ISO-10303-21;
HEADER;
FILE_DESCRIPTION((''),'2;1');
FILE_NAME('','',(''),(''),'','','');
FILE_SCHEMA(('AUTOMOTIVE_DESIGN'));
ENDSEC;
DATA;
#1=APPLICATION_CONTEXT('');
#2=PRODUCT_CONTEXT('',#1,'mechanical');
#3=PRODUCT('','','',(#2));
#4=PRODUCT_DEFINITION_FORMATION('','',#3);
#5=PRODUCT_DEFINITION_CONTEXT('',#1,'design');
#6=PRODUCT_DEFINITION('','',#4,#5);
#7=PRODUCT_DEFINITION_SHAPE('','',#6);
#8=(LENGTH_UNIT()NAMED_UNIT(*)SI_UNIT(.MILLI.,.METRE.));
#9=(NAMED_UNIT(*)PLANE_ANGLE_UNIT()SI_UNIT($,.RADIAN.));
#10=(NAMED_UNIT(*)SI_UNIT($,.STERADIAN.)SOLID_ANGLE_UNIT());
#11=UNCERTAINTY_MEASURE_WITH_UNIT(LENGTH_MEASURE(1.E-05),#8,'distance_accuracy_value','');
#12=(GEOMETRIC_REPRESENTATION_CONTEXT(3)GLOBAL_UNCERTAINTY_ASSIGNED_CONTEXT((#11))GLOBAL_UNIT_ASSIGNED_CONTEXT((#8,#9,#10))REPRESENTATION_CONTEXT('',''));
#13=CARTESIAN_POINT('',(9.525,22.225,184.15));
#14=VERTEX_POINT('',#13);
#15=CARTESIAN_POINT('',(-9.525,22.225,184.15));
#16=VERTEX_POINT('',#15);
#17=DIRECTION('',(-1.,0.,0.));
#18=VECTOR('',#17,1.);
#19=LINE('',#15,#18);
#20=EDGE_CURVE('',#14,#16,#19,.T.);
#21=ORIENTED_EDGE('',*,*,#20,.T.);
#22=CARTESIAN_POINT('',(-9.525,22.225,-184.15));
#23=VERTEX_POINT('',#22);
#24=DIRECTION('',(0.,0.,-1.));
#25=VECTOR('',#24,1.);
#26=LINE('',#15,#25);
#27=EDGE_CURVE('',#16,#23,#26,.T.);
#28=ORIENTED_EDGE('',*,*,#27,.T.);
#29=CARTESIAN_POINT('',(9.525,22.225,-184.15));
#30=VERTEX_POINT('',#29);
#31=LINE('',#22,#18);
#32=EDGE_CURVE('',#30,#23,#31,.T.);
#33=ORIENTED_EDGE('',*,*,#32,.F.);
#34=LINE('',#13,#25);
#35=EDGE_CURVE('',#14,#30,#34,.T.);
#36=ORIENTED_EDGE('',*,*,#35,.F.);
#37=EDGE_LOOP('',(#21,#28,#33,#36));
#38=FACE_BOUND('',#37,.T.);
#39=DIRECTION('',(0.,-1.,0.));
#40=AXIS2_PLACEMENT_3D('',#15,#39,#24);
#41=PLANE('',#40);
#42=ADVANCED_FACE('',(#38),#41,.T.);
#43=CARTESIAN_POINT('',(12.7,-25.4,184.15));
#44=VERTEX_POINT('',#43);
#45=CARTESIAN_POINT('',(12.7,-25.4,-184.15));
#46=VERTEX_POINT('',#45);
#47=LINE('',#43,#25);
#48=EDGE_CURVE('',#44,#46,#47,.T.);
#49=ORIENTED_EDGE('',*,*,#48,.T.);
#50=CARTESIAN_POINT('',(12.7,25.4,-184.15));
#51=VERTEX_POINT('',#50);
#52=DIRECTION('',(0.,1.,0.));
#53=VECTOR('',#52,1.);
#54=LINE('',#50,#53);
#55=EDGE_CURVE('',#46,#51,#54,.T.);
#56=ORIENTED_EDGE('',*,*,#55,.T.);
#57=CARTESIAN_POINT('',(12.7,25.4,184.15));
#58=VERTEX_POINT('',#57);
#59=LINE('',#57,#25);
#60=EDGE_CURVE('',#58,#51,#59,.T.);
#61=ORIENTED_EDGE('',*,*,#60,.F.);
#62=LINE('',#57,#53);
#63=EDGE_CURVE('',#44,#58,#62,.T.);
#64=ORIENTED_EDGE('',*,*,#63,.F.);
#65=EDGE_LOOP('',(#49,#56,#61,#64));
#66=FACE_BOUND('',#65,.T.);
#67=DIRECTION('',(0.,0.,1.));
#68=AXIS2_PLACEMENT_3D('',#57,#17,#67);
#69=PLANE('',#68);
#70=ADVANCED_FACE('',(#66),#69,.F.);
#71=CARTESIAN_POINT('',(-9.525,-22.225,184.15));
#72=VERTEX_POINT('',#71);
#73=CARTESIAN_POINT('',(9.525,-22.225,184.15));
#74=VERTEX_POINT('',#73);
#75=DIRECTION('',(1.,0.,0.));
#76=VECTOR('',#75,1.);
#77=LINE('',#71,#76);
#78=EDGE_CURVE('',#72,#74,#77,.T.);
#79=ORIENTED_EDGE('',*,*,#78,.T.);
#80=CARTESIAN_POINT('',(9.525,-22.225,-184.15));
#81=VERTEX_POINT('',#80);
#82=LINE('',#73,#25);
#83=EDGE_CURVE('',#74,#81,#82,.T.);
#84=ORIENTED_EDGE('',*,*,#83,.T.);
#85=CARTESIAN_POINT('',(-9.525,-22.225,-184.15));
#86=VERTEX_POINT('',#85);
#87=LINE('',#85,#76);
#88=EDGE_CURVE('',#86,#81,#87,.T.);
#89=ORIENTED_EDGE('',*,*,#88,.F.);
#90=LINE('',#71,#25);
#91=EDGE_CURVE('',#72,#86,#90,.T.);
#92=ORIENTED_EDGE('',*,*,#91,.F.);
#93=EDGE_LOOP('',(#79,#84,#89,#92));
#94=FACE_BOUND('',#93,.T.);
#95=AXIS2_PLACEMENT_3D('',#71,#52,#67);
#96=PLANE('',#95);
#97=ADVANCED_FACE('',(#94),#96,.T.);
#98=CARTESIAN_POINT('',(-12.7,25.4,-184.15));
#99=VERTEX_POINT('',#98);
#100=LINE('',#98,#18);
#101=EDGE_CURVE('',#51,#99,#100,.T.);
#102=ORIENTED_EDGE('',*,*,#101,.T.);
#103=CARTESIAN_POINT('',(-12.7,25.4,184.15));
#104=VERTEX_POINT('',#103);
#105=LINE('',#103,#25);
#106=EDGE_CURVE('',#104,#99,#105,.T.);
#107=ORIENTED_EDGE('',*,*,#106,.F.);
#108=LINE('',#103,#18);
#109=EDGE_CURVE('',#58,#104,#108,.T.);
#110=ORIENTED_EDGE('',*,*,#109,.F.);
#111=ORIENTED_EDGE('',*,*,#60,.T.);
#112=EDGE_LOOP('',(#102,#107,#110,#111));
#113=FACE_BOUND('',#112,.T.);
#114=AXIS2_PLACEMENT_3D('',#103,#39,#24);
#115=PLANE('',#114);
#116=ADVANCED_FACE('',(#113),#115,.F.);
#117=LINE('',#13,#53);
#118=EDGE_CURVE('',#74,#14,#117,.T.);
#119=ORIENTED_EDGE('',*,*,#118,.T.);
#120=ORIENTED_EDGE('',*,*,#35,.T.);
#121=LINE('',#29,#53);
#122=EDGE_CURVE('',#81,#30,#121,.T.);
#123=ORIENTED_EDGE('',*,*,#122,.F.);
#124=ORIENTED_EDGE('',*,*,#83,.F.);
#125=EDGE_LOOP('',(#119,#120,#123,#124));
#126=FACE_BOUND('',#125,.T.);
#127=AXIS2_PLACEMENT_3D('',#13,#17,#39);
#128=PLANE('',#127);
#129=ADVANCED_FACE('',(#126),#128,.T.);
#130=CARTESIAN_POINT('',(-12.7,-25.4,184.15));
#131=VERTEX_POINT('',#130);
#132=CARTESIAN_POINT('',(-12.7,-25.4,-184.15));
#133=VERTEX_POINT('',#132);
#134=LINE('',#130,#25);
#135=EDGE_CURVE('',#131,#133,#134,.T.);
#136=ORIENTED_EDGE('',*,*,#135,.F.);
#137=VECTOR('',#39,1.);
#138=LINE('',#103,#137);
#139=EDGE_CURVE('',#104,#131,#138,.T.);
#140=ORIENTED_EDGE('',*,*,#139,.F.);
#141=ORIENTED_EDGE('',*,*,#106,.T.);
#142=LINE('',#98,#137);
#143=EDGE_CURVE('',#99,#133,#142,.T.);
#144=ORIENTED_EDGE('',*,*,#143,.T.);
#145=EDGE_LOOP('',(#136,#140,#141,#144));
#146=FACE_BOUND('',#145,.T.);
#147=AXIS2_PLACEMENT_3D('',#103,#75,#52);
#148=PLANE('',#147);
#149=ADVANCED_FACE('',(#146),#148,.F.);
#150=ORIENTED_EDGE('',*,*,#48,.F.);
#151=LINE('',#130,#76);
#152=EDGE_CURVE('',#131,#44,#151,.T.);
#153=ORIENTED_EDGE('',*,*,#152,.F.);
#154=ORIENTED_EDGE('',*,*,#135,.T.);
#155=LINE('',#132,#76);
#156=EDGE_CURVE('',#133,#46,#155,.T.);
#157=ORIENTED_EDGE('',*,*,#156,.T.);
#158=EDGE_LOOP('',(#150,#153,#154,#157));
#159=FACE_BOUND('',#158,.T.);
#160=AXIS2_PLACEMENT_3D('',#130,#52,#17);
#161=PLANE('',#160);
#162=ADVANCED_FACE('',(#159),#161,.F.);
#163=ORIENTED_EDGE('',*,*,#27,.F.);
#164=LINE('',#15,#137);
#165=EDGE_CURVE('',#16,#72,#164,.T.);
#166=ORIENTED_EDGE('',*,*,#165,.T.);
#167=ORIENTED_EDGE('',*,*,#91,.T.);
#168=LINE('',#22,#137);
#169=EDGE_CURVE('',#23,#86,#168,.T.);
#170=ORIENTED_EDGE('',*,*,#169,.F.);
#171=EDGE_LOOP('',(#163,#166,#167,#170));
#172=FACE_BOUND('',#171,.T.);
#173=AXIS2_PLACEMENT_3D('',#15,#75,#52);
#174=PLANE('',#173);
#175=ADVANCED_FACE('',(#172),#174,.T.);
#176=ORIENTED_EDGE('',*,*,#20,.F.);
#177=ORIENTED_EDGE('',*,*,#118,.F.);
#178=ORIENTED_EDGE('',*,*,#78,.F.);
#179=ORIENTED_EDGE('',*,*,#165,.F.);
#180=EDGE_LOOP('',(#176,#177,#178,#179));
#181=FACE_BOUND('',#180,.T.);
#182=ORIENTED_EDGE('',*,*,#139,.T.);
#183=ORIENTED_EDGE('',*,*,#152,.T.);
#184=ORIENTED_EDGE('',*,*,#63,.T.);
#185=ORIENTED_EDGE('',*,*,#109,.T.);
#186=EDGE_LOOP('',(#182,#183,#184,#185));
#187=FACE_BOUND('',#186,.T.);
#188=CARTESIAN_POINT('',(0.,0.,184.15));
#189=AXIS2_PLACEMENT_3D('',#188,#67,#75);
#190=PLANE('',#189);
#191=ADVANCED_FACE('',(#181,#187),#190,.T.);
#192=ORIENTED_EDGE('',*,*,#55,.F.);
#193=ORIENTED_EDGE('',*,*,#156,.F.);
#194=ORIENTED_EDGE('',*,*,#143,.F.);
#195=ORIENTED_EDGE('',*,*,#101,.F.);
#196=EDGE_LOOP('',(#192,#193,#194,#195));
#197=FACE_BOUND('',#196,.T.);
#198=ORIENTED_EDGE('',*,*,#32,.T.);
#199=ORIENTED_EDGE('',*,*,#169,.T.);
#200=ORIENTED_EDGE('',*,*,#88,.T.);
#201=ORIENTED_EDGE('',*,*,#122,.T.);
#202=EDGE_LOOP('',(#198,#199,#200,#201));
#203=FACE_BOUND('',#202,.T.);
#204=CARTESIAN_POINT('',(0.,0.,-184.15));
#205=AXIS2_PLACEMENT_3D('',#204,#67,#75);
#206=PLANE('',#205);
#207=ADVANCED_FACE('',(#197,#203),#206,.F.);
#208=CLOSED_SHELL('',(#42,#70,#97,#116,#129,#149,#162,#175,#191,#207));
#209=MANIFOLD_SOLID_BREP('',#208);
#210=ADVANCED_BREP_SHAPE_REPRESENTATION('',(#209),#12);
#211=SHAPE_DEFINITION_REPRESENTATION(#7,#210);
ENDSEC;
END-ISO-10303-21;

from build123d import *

# Parameters (mm, degrees)
SKETCH2_W           = 25.4
SKETCH2_H           = 50.8
SKETCH2_W_2         = 19.05
SKETCH2_H_2         = 44.45
BOSS_EXTRUDE1_DEPTH = 184.15


with BuildPart() as part:
    # Sketch2 → Boss-Extrude1 (new, symmetric)
    with BuildSketch(Plane.XY):
        Rectangle(SKETCH2_W, SKETCH2_H)
        Rectangle(SKETCH2_W_2, SKETCH2_H_2, mode=Mode.SUBTRACT)
    extrude(amount=BOSS_EXTRUDE1_DEPTH, both=True)


solid = part.part
